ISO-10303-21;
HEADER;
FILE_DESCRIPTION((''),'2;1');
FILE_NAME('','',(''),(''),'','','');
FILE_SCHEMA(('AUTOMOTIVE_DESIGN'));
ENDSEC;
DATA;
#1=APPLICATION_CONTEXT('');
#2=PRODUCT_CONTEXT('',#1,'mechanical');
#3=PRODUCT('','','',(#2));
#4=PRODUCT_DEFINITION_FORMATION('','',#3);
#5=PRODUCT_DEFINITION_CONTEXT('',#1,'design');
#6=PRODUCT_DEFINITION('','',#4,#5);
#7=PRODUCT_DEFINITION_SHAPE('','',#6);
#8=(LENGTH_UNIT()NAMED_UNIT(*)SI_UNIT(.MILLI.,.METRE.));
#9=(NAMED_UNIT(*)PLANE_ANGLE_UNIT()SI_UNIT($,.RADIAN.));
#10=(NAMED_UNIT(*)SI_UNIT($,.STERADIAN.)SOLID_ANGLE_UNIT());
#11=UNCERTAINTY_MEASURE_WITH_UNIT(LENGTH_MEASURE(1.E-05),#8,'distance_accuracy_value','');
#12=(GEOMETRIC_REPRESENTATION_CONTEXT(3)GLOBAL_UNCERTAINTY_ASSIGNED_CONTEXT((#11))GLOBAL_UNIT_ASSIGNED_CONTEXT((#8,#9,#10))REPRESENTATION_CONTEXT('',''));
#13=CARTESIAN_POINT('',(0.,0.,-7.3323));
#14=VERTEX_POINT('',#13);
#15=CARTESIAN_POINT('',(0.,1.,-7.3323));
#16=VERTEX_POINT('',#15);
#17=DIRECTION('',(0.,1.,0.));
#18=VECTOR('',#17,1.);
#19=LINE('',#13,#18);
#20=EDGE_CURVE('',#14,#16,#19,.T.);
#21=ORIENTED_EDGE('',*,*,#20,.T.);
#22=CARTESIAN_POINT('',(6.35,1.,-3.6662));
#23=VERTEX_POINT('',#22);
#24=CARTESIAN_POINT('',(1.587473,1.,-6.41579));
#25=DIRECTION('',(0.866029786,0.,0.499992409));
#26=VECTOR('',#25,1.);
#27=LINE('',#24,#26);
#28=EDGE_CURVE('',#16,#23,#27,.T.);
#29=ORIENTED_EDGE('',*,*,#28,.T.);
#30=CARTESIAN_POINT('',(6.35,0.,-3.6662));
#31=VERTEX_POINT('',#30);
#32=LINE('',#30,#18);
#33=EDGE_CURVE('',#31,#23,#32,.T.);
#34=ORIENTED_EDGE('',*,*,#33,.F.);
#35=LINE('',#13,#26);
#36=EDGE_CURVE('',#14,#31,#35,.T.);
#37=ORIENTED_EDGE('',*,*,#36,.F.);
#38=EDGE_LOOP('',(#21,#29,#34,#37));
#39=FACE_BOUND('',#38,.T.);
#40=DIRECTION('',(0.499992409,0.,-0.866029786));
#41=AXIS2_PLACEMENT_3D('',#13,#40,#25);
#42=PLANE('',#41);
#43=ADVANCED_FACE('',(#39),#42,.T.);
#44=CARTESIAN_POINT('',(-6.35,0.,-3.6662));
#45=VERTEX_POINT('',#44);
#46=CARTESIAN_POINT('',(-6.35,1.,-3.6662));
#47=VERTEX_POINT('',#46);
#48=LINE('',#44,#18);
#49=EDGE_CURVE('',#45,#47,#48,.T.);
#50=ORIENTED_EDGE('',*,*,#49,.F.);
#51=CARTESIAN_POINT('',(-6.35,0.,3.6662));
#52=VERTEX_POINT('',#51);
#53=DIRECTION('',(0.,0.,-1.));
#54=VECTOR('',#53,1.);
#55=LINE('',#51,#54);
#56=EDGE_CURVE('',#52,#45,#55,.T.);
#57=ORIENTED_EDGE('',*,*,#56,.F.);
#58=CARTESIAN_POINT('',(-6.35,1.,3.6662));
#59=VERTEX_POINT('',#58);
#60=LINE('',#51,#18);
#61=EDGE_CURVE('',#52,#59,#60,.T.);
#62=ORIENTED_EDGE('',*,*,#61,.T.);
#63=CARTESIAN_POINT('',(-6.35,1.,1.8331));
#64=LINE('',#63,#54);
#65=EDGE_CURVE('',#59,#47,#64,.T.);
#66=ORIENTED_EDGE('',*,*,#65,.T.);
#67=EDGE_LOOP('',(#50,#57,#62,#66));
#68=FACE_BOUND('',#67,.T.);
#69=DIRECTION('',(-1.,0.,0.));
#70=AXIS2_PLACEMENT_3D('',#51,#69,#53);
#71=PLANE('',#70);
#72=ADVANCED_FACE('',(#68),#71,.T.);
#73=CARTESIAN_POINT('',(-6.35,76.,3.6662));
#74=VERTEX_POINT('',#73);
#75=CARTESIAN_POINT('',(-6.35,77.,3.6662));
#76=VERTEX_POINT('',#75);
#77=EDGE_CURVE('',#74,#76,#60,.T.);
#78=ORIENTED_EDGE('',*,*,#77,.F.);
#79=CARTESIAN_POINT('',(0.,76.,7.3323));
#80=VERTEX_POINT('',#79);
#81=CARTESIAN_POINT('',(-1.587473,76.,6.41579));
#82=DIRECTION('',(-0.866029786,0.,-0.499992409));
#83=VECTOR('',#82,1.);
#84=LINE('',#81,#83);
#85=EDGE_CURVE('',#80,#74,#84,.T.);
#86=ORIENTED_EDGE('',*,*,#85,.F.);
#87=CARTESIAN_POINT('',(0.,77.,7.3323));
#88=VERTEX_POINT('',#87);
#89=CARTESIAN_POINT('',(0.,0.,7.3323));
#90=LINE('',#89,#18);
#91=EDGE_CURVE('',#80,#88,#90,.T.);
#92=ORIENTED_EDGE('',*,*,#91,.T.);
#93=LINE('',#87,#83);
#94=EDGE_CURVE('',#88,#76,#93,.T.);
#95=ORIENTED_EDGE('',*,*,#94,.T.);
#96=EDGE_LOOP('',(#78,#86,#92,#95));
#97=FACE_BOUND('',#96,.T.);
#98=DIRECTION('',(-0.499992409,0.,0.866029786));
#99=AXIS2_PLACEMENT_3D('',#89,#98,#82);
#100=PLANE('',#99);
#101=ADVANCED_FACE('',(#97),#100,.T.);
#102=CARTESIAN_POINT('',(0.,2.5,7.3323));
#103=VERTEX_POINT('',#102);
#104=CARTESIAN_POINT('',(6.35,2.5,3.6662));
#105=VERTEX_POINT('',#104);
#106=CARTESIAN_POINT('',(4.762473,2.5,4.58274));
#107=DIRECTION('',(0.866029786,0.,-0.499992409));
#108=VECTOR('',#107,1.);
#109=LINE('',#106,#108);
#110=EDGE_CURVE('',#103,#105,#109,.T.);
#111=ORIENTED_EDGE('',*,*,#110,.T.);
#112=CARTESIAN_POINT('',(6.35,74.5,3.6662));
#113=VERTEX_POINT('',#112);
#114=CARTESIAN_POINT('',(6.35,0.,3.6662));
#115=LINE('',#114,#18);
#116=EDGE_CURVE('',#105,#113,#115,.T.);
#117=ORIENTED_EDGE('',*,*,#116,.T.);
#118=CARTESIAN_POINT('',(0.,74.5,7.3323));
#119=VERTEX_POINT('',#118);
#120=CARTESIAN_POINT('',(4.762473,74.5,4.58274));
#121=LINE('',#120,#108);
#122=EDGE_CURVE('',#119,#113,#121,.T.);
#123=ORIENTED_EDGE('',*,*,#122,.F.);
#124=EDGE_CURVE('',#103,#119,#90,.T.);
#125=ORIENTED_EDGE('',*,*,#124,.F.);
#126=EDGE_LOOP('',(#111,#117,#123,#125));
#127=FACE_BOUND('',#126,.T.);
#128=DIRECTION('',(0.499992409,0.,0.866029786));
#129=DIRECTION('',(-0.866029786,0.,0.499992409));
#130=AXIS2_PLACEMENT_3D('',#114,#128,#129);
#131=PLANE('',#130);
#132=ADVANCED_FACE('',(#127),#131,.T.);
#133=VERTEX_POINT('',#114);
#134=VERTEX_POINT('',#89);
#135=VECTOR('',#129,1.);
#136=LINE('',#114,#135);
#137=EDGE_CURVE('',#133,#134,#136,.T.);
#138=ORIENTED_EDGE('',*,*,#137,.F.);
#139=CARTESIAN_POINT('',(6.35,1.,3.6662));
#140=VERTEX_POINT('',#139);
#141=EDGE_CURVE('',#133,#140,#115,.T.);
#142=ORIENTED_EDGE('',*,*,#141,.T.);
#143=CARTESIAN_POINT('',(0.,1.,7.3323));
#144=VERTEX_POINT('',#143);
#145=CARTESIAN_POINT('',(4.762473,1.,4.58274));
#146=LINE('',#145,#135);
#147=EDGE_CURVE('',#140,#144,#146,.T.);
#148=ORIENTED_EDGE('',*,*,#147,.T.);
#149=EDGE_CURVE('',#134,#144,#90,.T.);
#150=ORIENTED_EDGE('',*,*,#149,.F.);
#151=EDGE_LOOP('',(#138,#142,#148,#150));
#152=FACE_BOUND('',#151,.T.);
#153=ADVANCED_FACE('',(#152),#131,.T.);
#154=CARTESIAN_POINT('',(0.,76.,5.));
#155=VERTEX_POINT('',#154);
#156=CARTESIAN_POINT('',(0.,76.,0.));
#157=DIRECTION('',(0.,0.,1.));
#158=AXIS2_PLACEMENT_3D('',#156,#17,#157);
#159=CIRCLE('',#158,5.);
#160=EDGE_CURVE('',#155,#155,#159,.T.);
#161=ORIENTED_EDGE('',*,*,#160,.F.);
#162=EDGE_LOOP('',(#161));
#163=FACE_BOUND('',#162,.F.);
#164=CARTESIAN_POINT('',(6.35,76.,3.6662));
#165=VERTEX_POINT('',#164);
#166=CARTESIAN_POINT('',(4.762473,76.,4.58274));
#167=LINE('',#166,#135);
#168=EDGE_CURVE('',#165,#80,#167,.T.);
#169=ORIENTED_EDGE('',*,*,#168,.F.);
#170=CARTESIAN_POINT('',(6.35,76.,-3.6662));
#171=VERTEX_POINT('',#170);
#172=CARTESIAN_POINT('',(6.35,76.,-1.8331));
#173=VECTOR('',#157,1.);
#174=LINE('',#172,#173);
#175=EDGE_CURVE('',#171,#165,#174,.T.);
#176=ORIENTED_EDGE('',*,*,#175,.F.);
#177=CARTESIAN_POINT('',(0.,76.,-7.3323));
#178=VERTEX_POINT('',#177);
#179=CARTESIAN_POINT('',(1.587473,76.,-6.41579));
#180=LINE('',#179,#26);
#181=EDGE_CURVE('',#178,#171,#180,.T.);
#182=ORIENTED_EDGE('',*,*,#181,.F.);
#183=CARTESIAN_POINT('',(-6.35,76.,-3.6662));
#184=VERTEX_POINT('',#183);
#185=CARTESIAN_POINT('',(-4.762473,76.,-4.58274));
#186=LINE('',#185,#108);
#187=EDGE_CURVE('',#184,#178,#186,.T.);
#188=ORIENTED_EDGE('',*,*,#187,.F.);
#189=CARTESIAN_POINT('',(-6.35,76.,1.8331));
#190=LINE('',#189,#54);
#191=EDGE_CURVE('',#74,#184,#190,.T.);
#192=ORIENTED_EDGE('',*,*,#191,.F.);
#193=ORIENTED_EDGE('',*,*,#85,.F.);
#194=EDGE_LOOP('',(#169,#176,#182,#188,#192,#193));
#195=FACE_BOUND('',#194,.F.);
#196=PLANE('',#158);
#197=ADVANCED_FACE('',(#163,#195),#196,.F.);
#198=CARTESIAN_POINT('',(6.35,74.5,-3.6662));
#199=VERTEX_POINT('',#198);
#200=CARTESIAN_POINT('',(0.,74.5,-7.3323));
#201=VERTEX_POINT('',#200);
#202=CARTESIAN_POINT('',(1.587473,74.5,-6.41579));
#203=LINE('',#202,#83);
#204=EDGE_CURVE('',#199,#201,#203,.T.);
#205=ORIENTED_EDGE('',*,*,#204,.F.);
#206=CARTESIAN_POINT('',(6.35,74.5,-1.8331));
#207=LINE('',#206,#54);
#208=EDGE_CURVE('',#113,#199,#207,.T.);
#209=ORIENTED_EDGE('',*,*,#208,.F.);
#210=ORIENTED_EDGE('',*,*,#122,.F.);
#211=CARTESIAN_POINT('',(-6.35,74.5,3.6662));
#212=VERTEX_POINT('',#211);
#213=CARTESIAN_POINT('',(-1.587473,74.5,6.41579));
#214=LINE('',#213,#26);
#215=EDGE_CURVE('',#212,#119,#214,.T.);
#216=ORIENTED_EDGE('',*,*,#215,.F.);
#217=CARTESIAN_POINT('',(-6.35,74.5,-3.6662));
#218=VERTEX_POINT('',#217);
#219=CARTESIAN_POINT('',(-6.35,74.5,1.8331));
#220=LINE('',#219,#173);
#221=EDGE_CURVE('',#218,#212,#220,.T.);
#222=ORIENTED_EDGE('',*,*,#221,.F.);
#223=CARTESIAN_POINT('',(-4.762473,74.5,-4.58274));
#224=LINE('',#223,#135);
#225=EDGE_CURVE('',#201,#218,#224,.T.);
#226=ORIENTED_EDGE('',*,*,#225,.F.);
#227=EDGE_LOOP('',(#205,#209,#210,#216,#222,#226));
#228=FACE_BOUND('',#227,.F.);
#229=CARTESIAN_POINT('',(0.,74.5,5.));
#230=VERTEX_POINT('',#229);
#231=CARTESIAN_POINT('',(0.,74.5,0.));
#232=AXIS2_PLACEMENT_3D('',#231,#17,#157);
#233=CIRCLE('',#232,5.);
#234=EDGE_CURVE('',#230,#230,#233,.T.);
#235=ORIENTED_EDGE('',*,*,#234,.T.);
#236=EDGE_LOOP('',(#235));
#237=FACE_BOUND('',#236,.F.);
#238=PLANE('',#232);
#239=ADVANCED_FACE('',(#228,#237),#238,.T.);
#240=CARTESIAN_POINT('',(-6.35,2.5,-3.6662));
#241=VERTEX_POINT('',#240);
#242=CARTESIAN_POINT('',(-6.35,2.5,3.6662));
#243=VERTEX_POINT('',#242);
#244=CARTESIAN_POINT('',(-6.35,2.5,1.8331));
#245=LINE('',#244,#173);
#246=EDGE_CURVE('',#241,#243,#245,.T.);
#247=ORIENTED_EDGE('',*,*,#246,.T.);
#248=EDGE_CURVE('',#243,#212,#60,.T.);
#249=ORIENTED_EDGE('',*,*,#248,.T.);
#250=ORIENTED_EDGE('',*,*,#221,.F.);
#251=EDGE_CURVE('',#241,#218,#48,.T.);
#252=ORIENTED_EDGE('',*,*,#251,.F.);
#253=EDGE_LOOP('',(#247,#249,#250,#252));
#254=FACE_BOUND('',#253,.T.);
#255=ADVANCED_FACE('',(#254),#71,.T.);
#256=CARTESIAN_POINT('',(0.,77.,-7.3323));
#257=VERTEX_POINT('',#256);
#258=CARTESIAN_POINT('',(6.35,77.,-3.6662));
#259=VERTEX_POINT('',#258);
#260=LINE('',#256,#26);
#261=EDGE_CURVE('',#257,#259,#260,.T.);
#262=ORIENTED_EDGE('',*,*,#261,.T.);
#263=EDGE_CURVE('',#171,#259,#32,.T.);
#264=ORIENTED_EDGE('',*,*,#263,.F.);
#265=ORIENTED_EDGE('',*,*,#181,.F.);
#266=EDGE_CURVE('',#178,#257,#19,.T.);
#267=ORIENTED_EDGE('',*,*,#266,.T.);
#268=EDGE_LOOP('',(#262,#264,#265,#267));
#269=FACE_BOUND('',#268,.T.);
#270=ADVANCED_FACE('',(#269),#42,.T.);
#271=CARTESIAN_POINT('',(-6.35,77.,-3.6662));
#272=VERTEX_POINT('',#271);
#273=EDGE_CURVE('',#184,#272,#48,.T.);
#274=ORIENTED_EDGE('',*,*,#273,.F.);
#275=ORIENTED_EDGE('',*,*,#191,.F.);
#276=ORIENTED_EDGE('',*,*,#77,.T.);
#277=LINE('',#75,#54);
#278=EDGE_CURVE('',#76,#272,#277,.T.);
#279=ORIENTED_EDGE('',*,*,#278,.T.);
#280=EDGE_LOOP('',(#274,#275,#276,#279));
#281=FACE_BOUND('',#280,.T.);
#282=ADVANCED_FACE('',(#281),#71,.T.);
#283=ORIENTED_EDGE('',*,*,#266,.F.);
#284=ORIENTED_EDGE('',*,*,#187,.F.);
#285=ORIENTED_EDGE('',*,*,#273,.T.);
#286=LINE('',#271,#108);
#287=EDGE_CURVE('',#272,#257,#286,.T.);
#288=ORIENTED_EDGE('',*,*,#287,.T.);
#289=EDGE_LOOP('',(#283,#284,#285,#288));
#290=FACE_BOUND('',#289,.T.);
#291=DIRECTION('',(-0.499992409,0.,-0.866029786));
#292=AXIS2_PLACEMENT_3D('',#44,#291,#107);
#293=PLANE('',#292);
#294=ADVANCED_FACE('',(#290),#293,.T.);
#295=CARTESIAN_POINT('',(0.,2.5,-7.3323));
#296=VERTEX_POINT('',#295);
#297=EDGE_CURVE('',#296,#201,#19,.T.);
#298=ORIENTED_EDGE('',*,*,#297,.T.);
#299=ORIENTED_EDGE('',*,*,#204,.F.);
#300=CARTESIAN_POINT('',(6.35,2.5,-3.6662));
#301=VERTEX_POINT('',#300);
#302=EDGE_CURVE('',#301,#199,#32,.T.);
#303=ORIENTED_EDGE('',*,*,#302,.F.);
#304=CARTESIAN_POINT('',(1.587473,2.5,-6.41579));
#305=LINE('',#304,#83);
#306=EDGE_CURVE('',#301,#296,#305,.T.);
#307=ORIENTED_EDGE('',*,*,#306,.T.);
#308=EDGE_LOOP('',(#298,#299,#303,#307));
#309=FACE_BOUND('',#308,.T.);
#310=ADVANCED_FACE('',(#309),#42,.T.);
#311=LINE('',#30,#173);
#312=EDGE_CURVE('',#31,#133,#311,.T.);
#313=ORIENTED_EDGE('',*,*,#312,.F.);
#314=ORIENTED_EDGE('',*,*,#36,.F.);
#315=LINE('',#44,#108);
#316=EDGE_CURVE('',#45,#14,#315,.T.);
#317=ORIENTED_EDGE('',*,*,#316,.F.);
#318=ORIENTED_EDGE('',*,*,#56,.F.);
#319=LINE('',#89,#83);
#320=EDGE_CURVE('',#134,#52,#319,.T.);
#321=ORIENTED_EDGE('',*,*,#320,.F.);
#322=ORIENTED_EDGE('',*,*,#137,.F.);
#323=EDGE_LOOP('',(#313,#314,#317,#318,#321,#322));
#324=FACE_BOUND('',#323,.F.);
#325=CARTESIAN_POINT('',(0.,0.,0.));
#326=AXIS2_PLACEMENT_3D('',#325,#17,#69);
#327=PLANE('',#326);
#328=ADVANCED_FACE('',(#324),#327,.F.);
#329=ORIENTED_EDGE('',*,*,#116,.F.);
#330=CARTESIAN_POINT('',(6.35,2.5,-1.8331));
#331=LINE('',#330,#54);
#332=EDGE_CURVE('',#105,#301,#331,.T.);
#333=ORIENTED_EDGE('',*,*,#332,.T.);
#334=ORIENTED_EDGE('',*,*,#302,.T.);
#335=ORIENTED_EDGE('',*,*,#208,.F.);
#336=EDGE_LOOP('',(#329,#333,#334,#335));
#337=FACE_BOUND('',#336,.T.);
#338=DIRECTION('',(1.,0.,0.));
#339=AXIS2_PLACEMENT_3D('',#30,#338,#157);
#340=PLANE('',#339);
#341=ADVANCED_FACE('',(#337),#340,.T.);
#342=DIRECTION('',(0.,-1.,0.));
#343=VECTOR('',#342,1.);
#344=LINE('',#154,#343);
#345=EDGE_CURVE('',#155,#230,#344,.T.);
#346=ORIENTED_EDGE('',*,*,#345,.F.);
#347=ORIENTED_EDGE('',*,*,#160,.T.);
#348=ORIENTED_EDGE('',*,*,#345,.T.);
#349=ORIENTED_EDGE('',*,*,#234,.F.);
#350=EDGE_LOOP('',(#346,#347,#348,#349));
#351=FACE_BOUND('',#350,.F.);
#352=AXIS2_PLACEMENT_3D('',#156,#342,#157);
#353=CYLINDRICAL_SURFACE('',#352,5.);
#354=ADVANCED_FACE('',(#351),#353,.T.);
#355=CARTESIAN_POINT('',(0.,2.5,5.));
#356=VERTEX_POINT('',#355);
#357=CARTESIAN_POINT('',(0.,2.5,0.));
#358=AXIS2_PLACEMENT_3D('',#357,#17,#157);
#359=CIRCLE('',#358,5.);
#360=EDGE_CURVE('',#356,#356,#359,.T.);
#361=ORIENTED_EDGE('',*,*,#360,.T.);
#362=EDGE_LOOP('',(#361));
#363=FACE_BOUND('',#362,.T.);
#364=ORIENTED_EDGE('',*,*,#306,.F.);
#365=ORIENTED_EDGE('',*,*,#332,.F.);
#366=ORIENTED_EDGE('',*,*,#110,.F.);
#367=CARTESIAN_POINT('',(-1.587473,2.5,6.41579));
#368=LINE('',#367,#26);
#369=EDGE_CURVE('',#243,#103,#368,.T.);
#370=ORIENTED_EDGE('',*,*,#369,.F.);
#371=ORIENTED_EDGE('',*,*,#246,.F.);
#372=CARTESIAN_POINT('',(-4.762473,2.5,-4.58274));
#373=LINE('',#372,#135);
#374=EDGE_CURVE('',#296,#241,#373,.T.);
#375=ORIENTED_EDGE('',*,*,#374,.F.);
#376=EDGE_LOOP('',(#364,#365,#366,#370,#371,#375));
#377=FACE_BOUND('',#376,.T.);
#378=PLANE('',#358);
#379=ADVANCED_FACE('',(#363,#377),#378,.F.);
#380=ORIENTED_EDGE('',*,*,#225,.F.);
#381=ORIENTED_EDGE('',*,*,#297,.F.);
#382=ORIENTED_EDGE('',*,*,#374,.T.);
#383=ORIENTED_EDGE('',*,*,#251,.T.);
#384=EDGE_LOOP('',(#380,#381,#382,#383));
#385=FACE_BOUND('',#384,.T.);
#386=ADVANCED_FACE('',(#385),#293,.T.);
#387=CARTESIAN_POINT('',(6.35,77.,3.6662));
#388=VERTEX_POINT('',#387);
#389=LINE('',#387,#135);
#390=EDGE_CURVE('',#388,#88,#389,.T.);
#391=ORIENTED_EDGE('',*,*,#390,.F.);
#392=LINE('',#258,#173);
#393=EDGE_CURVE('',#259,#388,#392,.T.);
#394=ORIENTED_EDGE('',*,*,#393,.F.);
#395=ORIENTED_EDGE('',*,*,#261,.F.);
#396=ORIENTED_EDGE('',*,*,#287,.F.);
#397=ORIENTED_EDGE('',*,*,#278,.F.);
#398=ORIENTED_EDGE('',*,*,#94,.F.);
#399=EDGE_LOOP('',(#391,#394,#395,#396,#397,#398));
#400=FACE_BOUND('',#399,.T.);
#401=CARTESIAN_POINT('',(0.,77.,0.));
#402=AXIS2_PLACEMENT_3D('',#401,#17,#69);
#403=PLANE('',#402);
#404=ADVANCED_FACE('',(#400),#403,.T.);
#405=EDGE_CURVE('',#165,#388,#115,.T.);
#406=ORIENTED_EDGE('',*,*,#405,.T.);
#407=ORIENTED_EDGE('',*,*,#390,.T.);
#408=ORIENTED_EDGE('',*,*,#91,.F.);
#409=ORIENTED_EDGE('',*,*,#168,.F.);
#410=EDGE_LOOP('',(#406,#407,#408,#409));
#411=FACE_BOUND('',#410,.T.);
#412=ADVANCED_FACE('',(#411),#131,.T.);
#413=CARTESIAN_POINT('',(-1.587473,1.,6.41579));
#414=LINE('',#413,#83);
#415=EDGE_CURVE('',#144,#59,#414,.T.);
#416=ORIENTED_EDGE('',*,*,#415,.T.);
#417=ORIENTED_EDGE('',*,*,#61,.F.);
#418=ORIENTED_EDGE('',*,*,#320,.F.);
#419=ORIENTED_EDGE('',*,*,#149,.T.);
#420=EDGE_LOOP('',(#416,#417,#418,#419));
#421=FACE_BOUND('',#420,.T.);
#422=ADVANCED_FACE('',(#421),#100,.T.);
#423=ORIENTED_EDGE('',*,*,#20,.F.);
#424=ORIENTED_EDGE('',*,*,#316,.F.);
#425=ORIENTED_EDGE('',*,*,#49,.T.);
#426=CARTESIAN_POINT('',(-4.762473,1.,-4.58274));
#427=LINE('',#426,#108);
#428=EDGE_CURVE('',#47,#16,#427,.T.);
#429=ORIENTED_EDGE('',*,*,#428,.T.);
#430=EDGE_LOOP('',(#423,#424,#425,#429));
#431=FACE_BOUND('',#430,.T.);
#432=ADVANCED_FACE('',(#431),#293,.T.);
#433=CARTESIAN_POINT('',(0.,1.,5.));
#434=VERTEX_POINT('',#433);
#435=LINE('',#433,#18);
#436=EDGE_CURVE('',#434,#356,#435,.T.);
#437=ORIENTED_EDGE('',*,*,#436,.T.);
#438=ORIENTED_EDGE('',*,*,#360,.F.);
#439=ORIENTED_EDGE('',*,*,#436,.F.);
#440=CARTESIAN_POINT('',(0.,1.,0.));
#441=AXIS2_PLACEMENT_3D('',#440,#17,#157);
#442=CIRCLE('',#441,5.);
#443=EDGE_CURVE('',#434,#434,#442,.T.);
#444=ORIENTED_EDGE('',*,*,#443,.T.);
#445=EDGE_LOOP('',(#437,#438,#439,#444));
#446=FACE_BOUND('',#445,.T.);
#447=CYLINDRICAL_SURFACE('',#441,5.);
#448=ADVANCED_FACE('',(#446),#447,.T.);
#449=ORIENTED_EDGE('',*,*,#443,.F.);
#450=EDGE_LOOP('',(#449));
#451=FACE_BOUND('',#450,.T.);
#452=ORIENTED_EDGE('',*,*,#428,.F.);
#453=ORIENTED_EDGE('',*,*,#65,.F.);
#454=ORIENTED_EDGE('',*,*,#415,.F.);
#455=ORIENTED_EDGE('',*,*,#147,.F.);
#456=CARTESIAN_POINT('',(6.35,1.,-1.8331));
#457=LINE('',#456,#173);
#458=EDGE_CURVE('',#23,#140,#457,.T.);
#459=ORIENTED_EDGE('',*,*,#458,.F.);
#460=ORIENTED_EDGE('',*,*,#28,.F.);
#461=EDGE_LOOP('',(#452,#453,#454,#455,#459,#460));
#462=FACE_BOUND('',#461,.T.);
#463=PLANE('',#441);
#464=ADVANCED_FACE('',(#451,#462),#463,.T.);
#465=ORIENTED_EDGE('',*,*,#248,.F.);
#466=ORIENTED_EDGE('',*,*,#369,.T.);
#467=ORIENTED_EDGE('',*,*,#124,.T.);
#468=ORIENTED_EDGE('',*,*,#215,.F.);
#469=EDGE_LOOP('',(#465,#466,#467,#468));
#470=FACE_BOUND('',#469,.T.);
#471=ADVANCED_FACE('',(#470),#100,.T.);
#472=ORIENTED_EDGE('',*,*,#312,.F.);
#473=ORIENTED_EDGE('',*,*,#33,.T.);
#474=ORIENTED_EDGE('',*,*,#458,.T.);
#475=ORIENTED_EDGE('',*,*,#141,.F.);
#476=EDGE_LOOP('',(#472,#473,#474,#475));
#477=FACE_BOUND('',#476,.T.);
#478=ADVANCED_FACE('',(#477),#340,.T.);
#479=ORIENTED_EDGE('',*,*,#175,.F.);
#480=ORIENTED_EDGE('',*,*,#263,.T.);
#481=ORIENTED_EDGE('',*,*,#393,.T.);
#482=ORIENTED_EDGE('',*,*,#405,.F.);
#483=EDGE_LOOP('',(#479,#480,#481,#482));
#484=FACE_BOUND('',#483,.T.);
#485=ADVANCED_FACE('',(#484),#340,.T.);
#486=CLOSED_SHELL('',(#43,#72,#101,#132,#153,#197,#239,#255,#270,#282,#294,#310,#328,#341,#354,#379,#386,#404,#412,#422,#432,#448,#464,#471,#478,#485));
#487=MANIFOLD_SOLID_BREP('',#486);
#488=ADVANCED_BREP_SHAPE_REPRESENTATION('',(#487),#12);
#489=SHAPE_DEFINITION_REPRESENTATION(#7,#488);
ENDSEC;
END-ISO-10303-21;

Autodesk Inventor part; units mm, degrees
ref_plane "YZ Plane" through (0, 0, 0) normal (1, 0, 0) x (0, 1, 0)
ref_plane "XZ Plane" through (0, 0, 0) normal (0, 1, 0) x (-1, 0, 0)
ref_plane "XY Plane" through (0, 0, 0) normal (0, 0, 1) x (1, 0, 0)
sketch "Sketch1" plane through (0, 0, 0) normal (0, 1, 0) x (-1, 0, 0)
  line L0 (-6.35, 3.6662) -> (0, 7.3323)
  line L1 (0, 7.3323) -> (6.35, 3.6662)
  line L2 (6.35, 3.6662) -> (6.35, -3.6662)
  line L3 (6.35, -3.6662) -> (0, -7.3323)
  line L4 (0, -7.3323) -> (-6.35, -3.6662)
  line L5 (-6.35, -3.6662) -> (-6.35, 3.6662)
  point P0 (0, 0)
  point P1 (0, 0)
  dimension "d0" = 12.7
extrude "Extrusion1" add sketch "Sketch1" along normal blind 77
sketch "Sketch2" plane through (0, 0, 0) normal (1, 0, 0) x (0, 1, 0)
  line L0 (2.5, 15) -> (1, 15)
  line L1 (1, 15) -> (1, 5)
  line L2 (1, 5) -> (2.5, 5)
  line L3 (2.5, 5) -> (2.5, 15)
  line L4 (0, -3.6662) -> (0, 3.6662) projected
  line L5 (-15.24, 0) -> (91.44, 0) projected
  line L6 (74.5, 15) -> (76, 15)
  line L7 (76, 15) -> (76, 5)
  line L8 (76, 5) -> (74.5, 5)
  line L9 (74.5, 5) -> (74.5, 15)
  point P0 (0, 0)
  point P1 (0, 0)
  dimension "d3" = 1.5
  dimension "d4" = 10
  dimension "d5" = 5
  dimension "d6" = 1
  dimension "d15" = 72
revolve "Revolution1" cut sketch "Sketch2" angle 360 about axis through (0, -10, 0) along (0, 1, 0)
properties part number "Wasp Omni Wheel Axle"
